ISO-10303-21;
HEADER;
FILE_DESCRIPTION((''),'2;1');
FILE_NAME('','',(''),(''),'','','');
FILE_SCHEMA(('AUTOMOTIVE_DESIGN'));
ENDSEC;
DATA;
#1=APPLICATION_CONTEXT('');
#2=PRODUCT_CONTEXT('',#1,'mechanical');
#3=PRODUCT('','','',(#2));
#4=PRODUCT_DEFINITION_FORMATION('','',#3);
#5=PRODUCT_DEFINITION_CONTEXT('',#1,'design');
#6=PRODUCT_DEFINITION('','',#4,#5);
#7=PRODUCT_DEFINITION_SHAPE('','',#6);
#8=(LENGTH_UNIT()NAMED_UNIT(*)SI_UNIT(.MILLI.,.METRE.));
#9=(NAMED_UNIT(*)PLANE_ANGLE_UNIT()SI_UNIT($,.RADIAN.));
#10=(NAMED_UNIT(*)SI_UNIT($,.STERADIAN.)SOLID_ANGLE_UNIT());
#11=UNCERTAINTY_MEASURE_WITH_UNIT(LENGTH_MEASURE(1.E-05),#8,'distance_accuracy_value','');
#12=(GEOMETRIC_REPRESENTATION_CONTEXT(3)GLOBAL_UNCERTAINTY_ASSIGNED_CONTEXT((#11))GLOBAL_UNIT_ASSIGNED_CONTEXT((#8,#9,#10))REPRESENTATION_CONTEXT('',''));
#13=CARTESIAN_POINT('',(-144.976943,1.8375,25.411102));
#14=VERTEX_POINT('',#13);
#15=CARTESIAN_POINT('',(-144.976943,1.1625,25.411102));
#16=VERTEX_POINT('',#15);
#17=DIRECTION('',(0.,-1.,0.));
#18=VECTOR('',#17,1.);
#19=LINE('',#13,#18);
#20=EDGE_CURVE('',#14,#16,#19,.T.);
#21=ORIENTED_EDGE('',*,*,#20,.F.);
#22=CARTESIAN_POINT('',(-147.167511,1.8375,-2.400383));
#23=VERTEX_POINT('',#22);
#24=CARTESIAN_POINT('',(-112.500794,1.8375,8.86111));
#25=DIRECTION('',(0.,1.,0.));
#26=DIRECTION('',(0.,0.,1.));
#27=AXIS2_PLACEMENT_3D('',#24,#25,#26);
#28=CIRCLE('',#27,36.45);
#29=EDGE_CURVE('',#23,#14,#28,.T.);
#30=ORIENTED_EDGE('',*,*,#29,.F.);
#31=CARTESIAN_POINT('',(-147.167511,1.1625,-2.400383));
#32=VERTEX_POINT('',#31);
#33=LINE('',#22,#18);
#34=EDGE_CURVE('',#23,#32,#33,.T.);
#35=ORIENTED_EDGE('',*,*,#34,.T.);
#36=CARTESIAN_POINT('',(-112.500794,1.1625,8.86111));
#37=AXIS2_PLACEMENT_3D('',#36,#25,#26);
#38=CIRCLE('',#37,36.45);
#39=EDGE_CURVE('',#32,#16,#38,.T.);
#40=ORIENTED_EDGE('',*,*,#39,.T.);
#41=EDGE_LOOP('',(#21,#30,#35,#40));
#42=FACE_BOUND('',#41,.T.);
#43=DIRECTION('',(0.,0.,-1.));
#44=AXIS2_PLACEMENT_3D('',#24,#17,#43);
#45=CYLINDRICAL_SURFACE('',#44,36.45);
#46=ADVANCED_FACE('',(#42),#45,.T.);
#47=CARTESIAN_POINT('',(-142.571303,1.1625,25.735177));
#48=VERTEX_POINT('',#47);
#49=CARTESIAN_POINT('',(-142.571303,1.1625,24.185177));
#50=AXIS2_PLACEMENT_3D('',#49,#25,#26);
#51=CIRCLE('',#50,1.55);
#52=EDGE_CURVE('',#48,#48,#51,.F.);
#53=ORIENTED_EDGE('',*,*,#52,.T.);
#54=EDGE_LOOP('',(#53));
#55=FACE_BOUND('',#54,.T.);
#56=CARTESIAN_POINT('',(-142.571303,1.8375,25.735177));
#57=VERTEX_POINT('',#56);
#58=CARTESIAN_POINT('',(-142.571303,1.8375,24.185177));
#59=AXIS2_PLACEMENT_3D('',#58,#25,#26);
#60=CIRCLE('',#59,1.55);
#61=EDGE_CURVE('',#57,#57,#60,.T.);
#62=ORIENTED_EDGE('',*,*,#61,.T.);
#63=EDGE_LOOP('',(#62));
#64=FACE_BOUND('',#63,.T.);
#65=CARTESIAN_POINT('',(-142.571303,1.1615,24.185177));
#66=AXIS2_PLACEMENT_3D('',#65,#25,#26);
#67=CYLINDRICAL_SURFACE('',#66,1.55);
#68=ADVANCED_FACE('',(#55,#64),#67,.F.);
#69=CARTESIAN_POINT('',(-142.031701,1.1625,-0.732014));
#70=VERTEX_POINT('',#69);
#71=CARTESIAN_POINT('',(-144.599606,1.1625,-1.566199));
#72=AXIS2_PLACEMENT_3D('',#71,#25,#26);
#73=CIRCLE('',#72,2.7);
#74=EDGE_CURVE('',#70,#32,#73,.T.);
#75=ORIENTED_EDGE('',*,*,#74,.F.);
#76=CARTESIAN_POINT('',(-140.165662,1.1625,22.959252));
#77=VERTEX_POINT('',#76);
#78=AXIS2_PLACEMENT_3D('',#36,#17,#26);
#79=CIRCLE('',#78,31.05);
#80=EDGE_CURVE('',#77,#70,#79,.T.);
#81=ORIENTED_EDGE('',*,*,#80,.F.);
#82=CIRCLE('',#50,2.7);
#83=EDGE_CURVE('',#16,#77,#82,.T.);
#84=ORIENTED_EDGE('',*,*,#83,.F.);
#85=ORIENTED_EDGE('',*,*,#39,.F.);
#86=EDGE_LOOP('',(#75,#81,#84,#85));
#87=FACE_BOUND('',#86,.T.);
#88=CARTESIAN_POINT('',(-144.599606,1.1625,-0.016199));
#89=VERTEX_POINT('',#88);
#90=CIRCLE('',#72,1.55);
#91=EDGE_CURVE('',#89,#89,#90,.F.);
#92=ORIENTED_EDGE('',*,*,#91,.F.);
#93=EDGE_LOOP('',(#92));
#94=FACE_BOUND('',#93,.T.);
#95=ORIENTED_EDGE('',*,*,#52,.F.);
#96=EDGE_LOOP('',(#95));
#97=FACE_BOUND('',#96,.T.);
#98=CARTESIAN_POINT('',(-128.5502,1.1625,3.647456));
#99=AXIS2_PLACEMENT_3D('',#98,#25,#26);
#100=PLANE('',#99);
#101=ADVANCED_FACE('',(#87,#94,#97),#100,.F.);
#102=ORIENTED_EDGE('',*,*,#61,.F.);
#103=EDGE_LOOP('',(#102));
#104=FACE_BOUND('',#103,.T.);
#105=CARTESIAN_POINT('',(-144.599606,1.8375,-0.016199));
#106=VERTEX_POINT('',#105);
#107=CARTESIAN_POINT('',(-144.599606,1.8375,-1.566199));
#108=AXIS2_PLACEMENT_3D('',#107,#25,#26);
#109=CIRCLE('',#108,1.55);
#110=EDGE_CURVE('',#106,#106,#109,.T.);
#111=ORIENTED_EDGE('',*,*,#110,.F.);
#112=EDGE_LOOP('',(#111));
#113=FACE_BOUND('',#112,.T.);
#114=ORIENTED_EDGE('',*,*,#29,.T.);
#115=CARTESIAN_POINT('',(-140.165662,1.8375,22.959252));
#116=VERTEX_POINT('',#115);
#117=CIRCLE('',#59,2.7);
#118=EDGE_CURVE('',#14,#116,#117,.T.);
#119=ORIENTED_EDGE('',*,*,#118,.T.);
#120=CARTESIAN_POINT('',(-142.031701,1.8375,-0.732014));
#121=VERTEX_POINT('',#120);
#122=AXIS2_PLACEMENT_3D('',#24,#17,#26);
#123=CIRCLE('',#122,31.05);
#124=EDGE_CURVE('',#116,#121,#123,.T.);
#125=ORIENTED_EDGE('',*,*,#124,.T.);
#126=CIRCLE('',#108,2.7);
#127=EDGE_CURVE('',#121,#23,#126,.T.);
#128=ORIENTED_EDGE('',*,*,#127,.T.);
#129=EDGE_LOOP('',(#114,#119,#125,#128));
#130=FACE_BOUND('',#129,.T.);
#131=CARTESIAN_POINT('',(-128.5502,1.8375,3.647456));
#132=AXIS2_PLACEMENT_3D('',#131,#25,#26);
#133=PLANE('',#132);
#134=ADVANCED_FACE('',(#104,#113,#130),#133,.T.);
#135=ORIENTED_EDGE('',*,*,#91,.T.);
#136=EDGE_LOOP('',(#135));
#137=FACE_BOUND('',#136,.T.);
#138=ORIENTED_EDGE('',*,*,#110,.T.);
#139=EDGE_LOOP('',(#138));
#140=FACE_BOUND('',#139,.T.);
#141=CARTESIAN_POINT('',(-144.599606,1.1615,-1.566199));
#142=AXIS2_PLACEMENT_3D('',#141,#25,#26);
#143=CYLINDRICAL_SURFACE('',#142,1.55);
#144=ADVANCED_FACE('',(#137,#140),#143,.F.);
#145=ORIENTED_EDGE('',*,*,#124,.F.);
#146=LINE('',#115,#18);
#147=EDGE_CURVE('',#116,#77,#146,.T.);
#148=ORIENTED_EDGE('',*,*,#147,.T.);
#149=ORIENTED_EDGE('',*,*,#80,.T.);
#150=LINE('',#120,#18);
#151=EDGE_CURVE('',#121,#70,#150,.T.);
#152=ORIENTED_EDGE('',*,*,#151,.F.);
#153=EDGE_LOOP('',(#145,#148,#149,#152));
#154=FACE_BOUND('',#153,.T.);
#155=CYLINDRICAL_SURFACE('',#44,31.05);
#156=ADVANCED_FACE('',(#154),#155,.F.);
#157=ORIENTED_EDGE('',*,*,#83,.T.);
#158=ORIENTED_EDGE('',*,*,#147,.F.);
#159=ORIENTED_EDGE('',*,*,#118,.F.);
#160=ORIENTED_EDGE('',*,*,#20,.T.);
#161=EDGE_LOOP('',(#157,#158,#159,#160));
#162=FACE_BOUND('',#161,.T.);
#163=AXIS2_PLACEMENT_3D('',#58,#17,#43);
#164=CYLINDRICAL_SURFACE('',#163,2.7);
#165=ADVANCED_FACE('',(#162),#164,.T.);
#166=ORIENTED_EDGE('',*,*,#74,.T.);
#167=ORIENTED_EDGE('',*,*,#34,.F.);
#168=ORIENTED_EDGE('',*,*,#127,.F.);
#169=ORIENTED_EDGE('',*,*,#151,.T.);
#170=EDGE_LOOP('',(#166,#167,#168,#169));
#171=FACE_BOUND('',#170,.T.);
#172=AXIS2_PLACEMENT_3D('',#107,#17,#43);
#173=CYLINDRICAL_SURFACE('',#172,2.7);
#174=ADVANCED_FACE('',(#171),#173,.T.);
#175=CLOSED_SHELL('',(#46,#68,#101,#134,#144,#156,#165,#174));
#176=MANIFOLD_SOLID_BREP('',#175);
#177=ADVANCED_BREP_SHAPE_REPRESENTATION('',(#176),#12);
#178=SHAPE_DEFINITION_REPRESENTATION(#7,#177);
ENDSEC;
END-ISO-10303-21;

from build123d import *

# Parameters (mm, degrees)
SKETCH1_R           = 6
BOSS_EXTRUDE1_DEPTH = 3
SCALE1_SCALE        = 0.225
CUT_EXTRUDE2_REACH  = 2.675
SKETCH3_R           = 1.55


with BuildPart() as part:
    # Sketch1 → Boss-Extrude1 (new body)
    with BuildSketch(Plane(origin=(0, 0, 0), x_dir=(1, 0, 0), z_dir=(0, 1, 0))):
        with BuildLine():
            ThreePointArc((-154.074297715, 50.051081743), (-161.4998099, -12.720511087), (-144.338440027, -73.555521415))
            ThreePointArc((-144.338440027, -73.555521415), (-128.198146587, -78.798700571), (-122.95496743, -62.658407131))
            ThreePointArc((-122.95496743, -62.658407131), (-137.573912137, -10.835990926), (-131.248475831, 42.63610667))
            ThreePointArc((-131.248475831, 42.63610667), (-138.953899237, 57.756505148), (-154.074297715, 50.051081743))
        make_face()
        with Locations((-142.661386773, 46.343594206)):
            Circle(SKETCH1_R, mode=Mode.SUBTRACT)
        with Locations((-133.646703729, -68.106964273)):
            Circle(SKETCH1_R, mode=Mode.SUBTRACT)
    extrude(amount=BOSS_EXTRUDE1_DEPTH)


with BuildPart() as part_1:
    # Scale1: scaled about (-145.162315364, 1.5, 11.433690498)
    add(part.part.scale(SCALE1_SCALE).moved(Location((-112.500794407, 1.1625, 8.861110136))))

    # Sketch3 → Cut-Extrude2 (cut, up to next)
    with BuildSketch(Plane(origin=(0, 1.8375, 0), x_dir=(1, 0, 0), z_dir=(0, 1, 0)), mode=Mode.PRIVATE) as cut_extrude2_sk1:
        with Locations((-144.599606431, 1.56619856)):
            Circle(SKETCH3_R)
    cut_extrude2_tool1 = extrude(cut_extrude2_sk1.sketch, amount=-CUT_EXTRUDE2_REACH, mode=Mode.PRIVATE) & part_1.part
    add(cut_extrude2_tool1.solids().sort_by_distance((-144.599606, 1.8375, -1.566199))[0], mode=Mode.SUBTRACT)
    # Sketch3 → Cut-Extrude2 (cut, up to next)
    with BuildSketch(Plane(origin=(0, 1.8375, 0), x_dir=(1, 0, 0), z_dir=(0, 1, 0)), mode=Mode.PRIVATE) as cut_extrude2_sk2:
        with Locations((-142.571302746, -24.185177098)):
            Circle(SKETCH3_R)
    cut_extrude2_tool2 = extrude(cut_extrude2_sk2.sketch, amount=-CUT_EXTRUDE2_REACH, mode=Mode.PRIVATE) & part_1.part
    add(cut_extrude2_tool2.solids().sort_by_distance((-142.571303, 1.8375, 24.185177))[0], mode=Mode.SUBTRACT)


solid = part_1.part
